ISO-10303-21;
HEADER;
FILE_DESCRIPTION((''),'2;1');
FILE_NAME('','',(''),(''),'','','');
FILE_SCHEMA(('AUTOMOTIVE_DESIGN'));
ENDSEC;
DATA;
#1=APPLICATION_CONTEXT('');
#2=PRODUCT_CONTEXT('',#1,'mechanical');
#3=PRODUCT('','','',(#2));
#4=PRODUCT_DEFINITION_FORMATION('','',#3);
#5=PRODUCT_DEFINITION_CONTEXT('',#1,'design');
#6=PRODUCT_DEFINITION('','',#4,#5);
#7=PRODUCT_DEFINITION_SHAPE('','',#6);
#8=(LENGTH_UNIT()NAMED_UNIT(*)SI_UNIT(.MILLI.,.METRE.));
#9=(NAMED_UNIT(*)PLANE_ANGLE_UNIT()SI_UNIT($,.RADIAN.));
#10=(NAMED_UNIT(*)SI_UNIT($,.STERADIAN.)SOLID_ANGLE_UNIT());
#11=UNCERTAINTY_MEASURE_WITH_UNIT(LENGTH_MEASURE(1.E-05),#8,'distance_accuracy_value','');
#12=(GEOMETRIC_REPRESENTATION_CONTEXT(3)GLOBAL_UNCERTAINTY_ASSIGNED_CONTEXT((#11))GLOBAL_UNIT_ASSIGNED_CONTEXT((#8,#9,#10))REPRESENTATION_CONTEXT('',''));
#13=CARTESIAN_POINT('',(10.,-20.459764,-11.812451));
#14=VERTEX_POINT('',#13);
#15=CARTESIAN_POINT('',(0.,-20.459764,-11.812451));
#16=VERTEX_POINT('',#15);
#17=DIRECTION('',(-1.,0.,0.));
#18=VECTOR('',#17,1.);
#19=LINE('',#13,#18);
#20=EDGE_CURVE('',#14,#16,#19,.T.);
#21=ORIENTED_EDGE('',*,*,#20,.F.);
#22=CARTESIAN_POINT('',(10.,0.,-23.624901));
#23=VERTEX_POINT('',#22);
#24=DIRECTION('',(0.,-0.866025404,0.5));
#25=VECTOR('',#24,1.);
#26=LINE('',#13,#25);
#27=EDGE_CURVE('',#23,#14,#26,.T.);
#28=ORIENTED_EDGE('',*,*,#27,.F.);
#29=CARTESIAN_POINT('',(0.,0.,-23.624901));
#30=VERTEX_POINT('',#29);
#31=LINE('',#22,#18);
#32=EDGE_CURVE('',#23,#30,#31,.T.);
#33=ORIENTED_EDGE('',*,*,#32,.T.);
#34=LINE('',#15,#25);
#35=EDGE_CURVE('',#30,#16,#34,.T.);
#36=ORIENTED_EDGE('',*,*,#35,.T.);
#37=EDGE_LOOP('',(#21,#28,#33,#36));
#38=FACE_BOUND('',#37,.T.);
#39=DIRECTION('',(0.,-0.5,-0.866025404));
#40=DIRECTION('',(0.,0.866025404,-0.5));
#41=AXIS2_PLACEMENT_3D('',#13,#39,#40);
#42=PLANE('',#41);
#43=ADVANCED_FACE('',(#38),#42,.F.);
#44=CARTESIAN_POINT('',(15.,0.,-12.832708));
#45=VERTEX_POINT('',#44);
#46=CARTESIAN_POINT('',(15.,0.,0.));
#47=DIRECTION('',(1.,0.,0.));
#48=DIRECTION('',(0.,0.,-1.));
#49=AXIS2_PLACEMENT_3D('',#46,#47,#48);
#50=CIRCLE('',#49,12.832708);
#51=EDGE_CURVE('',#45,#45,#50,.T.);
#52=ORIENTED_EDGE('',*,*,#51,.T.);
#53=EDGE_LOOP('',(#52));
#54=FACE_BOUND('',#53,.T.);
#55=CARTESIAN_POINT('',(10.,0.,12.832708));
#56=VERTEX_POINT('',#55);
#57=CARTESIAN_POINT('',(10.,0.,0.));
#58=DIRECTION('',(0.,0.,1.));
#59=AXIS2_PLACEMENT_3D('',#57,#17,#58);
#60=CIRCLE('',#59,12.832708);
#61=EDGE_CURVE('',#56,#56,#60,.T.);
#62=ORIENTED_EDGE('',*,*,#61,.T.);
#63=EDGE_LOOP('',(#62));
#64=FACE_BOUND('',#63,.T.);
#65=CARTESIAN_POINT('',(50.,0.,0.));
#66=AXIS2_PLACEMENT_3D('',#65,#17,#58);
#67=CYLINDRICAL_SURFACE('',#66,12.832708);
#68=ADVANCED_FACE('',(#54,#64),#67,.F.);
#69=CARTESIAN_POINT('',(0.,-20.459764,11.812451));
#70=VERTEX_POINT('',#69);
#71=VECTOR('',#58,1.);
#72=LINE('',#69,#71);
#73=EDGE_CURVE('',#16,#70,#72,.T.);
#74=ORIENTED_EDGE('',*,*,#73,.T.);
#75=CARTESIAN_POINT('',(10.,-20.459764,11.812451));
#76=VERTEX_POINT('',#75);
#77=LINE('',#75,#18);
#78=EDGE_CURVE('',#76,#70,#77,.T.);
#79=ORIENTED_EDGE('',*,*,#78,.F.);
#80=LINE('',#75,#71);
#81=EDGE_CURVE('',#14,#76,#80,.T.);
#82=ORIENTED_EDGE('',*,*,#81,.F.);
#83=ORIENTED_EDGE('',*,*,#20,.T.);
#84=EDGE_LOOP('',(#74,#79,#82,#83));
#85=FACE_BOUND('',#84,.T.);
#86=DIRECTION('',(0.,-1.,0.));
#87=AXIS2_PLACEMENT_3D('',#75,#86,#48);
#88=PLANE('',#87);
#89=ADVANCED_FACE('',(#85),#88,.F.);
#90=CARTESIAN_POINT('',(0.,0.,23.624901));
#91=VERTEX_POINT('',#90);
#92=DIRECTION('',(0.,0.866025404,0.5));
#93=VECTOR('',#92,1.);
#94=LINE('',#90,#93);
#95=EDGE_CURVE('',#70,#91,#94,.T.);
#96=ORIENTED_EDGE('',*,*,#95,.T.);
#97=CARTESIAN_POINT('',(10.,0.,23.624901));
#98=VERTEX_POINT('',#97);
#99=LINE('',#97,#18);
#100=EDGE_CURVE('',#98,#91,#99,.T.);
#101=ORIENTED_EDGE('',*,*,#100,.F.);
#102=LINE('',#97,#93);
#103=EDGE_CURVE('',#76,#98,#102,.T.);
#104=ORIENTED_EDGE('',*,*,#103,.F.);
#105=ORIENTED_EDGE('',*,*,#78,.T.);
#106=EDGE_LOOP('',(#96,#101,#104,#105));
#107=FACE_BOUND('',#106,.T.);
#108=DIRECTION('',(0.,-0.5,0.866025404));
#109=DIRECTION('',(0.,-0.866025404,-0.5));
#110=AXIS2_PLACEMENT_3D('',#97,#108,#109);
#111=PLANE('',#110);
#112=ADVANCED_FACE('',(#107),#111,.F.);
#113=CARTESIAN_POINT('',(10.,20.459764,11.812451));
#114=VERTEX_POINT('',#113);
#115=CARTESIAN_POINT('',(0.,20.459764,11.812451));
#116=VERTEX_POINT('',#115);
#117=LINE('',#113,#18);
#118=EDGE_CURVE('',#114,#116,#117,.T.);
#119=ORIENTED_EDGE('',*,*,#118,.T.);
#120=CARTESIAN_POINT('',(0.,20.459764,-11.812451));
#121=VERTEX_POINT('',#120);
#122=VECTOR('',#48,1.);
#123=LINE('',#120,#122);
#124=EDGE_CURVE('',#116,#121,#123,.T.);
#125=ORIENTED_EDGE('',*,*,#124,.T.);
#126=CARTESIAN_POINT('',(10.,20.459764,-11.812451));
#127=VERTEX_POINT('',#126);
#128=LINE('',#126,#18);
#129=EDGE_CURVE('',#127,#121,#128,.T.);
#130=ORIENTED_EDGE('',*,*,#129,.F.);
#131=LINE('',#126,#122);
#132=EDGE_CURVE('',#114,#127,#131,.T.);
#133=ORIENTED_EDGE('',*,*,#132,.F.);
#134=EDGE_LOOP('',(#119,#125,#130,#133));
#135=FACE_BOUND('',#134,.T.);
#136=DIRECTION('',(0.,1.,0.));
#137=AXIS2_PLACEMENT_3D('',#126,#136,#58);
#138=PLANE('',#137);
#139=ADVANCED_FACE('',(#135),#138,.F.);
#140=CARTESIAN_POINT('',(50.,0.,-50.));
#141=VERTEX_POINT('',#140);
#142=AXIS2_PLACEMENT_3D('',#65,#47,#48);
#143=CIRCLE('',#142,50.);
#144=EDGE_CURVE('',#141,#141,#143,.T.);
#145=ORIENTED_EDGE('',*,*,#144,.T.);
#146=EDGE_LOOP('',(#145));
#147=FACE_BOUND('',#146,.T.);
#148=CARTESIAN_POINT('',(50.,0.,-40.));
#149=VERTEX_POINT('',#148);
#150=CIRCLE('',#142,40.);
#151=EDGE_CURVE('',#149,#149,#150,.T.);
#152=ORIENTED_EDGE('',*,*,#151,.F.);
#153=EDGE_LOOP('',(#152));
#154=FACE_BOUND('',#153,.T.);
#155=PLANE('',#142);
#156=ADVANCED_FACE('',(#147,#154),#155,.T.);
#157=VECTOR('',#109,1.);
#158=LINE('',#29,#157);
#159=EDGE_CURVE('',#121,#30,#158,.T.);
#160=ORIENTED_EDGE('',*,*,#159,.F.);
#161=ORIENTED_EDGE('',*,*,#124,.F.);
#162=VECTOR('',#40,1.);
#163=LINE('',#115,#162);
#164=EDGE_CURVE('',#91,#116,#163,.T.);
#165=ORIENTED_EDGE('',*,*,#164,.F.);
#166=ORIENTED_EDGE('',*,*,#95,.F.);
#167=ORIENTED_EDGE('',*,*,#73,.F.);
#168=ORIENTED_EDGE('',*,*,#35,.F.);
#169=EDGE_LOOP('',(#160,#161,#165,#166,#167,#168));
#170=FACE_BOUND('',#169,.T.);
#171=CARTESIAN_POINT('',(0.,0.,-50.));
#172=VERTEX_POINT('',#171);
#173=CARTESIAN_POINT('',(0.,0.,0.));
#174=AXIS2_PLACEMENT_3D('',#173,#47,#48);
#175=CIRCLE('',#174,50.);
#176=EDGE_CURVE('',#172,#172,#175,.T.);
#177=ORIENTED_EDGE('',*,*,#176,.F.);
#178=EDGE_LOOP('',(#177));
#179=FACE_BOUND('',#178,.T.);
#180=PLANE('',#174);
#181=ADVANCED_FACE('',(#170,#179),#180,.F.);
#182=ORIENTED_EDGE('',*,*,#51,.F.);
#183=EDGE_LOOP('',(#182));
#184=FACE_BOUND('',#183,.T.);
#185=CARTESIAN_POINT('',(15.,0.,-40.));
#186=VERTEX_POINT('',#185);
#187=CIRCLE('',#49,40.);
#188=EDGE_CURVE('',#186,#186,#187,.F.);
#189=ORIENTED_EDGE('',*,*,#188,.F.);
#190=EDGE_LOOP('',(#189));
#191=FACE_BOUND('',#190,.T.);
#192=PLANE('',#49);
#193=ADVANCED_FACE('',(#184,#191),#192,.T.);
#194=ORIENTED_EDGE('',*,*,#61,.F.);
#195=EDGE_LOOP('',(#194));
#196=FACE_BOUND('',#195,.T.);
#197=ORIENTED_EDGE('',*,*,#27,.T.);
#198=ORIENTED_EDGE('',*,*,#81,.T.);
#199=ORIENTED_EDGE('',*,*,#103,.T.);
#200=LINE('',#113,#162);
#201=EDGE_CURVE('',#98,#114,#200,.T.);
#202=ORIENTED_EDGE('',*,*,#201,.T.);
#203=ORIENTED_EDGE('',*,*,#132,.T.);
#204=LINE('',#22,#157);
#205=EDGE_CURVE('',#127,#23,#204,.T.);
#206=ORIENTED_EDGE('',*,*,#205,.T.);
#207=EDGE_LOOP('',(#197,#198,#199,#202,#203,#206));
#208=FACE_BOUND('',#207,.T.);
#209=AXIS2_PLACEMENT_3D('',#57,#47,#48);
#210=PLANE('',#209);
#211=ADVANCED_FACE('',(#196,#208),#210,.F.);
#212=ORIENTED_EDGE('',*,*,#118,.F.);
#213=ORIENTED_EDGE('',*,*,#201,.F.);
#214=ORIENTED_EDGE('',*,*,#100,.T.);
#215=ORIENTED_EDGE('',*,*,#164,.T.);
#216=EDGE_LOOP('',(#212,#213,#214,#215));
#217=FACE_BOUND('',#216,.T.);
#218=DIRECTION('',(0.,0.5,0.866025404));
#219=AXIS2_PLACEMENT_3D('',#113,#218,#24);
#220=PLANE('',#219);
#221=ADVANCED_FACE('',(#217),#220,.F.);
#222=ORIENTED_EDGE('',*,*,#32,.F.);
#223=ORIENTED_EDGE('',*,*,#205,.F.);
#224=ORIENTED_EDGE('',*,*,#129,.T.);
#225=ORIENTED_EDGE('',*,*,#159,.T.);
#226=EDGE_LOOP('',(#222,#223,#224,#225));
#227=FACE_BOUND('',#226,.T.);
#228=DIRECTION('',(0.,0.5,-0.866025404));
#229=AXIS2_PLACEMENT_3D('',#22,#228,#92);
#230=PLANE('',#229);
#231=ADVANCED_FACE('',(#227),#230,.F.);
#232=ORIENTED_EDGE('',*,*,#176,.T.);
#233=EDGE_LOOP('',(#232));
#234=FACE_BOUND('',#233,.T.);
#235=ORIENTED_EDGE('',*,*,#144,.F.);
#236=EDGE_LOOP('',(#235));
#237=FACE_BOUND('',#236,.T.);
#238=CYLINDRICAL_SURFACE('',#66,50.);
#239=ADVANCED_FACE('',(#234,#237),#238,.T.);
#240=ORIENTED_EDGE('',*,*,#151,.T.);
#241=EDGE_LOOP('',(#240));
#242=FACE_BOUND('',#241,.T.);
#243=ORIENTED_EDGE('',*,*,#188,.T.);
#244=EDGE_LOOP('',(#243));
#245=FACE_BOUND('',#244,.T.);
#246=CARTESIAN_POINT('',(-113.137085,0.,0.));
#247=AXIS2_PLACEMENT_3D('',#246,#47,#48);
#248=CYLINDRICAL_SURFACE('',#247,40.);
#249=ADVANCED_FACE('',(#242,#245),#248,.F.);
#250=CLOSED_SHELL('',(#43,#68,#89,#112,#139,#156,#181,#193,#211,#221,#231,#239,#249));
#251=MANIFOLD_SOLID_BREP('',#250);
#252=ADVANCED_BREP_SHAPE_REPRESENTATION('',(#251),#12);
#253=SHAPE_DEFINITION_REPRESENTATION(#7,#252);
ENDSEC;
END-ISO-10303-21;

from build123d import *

# Parameters (mm, degrees)
ESBO_O1_R                = 50
RESSALTO_EXTRUS_O1_DEPTH = 50
ESBO_O2_R                = 40
CORTE_EXTRUS_O1_DEPTH    = 35
CORTE_EXTRUS_O2_DEPTH    = 10
ESBO_O4_R                = 12.832707742
CORTE_EXTRUS_O3_DEPTH    = 82.240384046


with BuildPart() as part:
    # Esboço1 → Ressalto-extrusão1 (new body)
    with BuildSketch(Plane(origin=(0, 0, 0), x_dir=(0, 0, -1), z_dir=(1, 0, 0))):
        Circle(ESBO_O1_R)
    extrude(amount=RESSALTO_EXTRUS_O1_DEPTH)

    # Esboço2 → Corte-extrusão1 (cut)
    with BuildSketch(Plane(origin=(50, 0, 0), x_dir=(0, 0, -1), z_dir=(1, 0, 0))):
        Circle(ESBO_O2_R)
    extrude(amount=-CORTE_EXTRUS_O1_DEPTH, mode=Mode.SUBTRACT)

    # Esboço3 → Corte-extrusão2 (cut)
    with BuildSketch(Plane.ZY):
        Polygon((-11.812450534, 20.459764487), (11.812450534, 20.459764487), (23.624901068, 0), (11.812450534, -20.459764487), (-11.812450534, -20.459764487), (-23.624901068, 0), align=None)
    extrude(amount=-CORTE_EXTRUS_O2_DEPTH, mode=Mode.SUBTRACT)

    # Esboço4 → Corte-extrusão3 (cut, through all)
    with BuildSketch(Plane.ZY.offset(-10)):
        Circle(ESBO_O4_R)
    extrude(amount=-CORTE_EXTRUS_O3_DEPTH, mode=Mode.SUBTRACT)


solid = part.part
